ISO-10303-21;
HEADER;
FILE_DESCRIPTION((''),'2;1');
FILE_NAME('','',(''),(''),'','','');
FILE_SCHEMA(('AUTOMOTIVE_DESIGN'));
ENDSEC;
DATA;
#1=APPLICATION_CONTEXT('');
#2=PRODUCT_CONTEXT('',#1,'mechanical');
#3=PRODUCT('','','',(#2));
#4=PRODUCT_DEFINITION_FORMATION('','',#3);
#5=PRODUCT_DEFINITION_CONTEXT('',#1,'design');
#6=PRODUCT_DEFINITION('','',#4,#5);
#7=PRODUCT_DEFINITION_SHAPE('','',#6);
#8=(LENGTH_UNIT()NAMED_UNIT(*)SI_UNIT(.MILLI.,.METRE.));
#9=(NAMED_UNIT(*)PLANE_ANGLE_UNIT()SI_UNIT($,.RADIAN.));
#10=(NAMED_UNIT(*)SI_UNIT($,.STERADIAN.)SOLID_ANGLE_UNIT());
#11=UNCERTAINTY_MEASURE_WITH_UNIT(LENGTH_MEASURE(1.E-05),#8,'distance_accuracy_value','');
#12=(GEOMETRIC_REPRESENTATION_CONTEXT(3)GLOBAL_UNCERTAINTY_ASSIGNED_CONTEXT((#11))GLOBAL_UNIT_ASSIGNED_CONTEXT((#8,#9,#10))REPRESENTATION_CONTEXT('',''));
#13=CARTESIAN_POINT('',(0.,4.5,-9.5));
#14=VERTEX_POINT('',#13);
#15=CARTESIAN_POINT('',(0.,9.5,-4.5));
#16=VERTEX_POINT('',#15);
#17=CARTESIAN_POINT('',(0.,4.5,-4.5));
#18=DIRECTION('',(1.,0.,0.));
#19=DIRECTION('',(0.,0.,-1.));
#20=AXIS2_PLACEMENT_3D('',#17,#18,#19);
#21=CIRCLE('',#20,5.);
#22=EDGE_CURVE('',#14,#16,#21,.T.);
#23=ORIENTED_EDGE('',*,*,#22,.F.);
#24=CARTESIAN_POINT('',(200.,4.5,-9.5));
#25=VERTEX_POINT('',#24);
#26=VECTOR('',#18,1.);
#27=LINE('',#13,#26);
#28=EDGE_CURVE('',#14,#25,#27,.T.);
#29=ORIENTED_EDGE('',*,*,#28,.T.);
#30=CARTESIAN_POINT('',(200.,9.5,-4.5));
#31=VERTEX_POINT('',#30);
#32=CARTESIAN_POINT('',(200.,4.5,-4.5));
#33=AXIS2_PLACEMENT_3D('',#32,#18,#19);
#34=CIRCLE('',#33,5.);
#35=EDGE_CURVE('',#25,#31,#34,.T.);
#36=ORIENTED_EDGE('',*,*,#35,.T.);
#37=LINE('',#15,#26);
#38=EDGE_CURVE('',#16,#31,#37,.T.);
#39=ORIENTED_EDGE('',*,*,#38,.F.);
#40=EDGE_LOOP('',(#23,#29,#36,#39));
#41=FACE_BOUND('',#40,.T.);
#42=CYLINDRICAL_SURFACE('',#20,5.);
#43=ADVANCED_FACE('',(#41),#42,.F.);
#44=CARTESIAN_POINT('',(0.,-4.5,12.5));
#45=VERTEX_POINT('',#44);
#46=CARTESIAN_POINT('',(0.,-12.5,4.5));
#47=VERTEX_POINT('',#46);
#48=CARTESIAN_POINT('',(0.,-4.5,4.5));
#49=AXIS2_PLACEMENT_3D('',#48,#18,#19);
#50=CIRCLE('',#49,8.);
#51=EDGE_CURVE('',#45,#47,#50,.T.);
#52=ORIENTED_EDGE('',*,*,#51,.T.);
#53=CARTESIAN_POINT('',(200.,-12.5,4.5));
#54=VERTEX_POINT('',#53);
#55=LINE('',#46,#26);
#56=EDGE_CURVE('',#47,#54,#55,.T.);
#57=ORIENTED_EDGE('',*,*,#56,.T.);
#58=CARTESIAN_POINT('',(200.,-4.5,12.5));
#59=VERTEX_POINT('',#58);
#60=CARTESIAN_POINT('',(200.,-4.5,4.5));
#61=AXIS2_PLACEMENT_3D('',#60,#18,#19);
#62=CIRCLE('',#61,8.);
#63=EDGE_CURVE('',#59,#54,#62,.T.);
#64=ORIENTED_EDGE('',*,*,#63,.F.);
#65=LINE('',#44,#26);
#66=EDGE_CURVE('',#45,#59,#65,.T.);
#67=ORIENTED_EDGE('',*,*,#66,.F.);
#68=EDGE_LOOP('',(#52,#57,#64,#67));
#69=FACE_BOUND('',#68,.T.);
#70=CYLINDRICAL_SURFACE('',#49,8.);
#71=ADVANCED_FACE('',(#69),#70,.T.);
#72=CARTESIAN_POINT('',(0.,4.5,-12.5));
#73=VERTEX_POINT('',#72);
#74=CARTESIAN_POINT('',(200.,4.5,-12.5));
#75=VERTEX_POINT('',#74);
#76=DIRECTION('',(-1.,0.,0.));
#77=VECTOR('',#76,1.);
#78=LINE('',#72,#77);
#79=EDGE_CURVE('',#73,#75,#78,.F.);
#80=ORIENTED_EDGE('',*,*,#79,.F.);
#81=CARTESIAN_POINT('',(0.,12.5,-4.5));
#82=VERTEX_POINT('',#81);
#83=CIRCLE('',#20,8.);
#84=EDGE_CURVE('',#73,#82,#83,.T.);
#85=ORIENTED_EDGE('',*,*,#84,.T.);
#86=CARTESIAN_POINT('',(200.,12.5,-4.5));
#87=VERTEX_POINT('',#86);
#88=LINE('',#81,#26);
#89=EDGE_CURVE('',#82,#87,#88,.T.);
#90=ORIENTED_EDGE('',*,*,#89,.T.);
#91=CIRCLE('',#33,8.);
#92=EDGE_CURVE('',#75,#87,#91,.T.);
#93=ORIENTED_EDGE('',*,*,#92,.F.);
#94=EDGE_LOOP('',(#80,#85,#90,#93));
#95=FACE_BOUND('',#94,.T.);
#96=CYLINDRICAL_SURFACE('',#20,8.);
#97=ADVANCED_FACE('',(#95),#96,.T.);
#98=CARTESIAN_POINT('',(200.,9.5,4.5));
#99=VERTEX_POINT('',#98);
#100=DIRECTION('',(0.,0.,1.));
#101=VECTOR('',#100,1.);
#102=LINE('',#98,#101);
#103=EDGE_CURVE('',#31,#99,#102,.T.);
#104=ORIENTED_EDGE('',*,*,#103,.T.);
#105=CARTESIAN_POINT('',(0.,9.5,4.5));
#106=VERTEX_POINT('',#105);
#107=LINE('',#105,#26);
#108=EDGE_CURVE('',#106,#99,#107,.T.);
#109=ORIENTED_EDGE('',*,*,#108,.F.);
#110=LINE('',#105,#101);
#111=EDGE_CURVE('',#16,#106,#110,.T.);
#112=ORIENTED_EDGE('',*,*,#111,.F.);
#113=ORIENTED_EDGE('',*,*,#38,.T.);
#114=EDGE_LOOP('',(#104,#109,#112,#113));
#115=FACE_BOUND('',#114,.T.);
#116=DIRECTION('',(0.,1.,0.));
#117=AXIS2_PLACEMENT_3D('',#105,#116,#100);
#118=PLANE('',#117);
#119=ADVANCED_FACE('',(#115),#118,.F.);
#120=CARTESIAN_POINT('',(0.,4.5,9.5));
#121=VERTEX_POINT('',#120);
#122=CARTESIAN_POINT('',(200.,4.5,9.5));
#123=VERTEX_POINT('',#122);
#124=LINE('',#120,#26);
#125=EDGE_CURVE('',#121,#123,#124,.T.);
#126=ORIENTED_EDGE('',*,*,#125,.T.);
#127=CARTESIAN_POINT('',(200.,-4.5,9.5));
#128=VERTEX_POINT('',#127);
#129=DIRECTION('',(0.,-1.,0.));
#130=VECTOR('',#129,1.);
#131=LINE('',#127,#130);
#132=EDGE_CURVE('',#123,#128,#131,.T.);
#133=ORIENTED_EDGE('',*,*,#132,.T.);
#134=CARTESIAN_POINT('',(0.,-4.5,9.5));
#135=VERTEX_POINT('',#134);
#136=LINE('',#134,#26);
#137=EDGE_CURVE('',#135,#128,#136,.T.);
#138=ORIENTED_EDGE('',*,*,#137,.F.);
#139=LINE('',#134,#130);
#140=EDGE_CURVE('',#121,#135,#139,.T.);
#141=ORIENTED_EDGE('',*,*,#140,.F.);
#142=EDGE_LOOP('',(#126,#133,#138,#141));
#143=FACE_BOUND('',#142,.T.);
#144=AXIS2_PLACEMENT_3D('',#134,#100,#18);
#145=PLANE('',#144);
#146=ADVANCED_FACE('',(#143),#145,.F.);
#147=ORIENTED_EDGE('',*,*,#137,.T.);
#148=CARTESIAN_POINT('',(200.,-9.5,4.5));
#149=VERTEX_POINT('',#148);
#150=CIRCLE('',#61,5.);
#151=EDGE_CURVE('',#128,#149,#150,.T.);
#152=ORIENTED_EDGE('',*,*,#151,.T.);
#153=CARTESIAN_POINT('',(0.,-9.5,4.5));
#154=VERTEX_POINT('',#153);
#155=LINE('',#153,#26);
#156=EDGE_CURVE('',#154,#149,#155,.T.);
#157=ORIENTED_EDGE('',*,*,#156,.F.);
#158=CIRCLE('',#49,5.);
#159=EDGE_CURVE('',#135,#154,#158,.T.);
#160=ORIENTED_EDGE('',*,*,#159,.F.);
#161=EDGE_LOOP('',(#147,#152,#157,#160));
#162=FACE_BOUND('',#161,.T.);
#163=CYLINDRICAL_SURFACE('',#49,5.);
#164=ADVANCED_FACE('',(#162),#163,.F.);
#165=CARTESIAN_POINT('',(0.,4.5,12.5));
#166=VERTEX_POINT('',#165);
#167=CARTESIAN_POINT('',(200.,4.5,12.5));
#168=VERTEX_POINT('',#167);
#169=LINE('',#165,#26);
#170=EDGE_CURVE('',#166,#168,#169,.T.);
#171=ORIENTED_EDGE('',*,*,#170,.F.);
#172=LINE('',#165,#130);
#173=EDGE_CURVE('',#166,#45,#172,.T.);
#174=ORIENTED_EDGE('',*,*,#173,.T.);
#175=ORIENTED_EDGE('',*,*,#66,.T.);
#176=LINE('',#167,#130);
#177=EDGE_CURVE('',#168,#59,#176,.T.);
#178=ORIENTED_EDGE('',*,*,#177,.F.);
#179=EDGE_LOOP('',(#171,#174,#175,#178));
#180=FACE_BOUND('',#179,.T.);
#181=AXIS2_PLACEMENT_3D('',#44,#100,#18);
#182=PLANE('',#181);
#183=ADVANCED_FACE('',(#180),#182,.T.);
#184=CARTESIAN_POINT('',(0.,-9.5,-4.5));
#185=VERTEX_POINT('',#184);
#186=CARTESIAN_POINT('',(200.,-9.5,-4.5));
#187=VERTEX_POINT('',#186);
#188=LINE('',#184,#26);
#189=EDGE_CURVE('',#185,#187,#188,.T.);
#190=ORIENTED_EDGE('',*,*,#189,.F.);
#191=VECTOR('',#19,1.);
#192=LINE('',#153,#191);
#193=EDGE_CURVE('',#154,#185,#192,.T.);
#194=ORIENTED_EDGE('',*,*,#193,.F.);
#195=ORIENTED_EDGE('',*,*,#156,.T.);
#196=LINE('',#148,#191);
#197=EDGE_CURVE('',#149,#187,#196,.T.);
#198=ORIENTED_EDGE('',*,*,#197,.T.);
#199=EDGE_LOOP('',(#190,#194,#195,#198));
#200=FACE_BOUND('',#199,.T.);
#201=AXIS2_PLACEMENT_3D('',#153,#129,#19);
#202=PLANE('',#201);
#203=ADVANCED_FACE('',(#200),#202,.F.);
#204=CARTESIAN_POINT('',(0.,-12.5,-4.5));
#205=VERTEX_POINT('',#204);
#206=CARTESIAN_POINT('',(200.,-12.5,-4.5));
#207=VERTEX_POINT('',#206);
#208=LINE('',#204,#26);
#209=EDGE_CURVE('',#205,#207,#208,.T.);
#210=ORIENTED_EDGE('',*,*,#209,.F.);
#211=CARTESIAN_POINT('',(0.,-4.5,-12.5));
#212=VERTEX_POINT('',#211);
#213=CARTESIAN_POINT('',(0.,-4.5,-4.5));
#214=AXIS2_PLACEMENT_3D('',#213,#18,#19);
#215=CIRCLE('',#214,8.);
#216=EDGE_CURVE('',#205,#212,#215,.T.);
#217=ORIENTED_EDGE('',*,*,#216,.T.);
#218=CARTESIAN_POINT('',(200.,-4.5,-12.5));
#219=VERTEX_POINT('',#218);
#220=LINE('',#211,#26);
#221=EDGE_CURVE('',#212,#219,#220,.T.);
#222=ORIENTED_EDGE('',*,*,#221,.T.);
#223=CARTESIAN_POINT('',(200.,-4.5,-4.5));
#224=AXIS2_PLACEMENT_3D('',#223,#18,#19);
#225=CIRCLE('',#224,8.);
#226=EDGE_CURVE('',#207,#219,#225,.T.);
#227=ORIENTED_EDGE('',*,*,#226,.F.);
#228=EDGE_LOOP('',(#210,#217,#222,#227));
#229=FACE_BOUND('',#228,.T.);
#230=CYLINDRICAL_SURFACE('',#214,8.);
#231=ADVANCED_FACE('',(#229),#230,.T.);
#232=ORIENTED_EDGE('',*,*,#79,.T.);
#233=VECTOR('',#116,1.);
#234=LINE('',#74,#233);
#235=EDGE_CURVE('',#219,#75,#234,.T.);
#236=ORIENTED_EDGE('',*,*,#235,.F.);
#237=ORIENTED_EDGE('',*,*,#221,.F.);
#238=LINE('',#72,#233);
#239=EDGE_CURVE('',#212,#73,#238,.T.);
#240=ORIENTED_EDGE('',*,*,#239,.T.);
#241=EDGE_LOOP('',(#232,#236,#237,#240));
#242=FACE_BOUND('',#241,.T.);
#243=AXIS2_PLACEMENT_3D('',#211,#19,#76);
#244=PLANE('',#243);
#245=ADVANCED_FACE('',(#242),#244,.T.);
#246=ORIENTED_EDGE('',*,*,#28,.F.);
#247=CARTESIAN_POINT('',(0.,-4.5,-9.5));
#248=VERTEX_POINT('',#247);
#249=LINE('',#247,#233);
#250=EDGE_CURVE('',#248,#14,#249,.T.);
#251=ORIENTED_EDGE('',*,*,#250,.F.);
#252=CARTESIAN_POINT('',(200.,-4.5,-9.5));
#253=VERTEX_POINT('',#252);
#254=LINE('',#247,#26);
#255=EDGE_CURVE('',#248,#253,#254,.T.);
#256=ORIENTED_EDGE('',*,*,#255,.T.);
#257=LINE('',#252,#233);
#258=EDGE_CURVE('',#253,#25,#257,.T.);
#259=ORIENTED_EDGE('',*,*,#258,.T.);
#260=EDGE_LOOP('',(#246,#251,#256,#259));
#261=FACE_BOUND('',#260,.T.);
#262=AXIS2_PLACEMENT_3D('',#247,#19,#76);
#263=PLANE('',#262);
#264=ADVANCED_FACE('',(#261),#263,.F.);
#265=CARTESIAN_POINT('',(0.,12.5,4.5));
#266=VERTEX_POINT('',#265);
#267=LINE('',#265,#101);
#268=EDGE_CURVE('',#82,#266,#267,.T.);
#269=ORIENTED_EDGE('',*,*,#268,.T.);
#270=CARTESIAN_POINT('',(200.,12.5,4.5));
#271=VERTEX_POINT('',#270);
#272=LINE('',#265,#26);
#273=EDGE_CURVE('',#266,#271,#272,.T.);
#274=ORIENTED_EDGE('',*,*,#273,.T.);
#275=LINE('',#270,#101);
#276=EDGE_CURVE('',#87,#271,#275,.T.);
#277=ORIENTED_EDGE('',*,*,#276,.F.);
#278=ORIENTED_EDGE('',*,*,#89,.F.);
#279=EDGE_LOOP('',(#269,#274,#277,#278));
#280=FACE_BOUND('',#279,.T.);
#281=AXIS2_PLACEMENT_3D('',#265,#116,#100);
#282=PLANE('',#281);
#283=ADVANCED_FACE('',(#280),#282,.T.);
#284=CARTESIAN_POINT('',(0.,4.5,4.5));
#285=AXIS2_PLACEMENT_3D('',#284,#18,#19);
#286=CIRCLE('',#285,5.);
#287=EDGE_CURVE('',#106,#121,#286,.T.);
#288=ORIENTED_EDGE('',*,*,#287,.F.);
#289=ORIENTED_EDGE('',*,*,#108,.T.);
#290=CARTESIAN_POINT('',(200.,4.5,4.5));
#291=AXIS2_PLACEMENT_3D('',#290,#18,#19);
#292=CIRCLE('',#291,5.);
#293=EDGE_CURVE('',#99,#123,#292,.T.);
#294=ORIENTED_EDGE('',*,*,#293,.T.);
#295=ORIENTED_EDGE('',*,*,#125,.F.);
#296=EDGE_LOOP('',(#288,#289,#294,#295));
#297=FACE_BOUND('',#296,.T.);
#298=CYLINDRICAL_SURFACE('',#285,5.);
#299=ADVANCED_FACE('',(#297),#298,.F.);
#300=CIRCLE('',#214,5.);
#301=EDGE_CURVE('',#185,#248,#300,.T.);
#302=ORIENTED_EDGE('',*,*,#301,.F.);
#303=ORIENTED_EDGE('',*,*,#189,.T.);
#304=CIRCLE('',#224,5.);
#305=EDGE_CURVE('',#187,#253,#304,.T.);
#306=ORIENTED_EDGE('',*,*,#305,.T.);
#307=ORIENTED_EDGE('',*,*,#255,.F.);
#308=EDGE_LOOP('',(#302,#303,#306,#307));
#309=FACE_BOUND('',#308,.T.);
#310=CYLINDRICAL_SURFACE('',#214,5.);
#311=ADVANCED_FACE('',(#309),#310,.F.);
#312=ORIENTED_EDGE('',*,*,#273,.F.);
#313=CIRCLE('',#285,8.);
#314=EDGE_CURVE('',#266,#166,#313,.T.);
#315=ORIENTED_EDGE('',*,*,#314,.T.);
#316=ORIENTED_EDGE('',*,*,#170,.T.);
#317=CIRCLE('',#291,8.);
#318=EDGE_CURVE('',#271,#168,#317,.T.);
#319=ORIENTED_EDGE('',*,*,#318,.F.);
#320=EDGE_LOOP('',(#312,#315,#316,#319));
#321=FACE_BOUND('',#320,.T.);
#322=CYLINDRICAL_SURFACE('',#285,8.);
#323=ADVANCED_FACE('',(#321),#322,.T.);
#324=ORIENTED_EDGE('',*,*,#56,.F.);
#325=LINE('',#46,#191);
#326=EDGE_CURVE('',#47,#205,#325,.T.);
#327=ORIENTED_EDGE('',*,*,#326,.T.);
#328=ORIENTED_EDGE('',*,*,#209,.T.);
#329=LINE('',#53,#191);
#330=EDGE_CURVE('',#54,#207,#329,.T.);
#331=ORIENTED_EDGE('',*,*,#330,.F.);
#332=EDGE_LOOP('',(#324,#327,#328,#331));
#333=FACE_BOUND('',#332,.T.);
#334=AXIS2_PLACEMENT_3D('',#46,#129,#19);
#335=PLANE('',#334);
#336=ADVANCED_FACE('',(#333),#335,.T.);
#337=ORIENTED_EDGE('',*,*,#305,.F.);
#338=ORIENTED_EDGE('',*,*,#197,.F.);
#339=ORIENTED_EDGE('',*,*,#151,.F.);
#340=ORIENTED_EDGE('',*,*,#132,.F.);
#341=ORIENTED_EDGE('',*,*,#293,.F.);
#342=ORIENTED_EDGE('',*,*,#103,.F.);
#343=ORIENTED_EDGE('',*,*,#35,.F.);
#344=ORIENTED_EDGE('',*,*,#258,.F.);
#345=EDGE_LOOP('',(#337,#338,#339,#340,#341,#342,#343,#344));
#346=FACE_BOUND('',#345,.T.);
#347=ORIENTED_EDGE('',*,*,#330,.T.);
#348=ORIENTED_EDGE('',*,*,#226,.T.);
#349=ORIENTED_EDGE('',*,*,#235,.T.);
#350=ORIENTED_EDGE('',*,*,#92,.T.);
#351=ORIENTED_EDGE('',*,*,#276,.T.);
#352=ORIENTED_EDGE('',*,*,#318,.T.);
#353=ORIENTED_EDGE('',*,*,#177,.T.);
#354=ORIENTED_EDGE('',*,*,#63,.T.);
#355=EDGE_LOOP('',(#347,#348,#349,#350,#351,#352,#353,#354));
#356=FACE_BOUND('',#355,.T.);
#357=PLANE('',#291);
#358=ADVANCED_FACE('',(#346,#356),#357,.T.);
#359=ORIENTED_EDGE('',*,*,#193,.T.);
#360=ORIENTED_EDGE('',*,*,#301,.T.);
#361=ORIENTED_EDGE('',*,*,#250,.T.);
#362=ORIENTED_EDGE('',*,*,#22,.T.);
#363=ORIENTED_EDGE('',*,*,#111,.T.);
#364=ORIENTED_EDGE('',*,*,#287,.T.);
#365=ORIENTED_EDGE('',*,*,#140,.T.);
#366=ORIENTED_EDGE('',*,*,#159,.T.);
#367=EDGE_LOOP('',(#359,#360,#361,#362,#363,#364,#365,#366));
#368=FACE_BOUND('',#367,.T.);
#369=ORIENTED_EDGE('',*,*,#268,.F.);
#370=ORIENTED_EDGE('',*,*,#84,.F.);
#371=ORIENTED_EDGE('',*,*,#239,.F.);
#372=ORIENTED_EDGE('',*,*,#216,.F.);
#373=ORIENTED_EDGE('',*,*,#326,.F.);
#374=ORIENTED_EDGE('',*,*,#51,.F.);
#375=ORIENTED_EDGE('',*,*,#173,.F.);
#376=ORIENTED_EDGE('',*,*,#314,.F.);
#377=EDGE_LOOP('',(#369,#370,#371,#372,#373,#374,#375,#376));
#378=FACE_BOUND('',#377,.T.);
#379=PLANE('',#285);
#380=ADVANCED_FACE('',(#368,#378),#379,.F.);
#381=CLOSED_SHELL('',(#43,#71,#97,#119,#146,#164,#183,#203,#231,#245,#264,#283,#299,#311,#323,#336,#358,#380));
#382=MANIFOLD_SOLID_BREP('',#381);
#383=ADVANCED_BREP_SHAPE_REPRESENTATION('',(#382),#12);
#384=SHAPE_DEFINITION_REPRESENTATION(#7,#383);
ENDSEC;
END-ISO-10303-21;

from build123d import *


with BuildPart() as part:
    # Sweep-Thin1: sweep along a path in Sketch3
    with BuildLine(Plane(origin=(0, 0, 0), x_dir=(1, 0, 0), z_dir=(0, 1, 0))) as sweep_thin1_path:
        Line((0, 0), (200, 0))
    # Sketch2 → Sweep-Thin1 (sweep)
    with BuildSketch(Plane(origin=(0, 0, 0), x_dir=(0, 0, -1), z_dir=(1, 0, 0))):
        with BuildLine():
            Line((4.5, 12.5), (-4.5, 12.5))
            ThreePointArc((-4.5, 12.5), (-10.156854249, 10.156854249), (-12.5, 4.5))
            Line((-12.5, 4.5), (-12.5, -4.5))
            ThreePointArc((-12.5, -4.5), (-10.156854249, -10.156854249), (-4.5, -12.5))
            Line((-4.5, -12.5), (4.5, -12.5))
            ThreePointArc((4.5, -12.5), (10.156854249, -10.156854249), (12.5, -4.5))
            Line((12.5, -4.5), (12.5, 4.5))
            ThreePointArc((12.5, 4.5), (10.156854249, 10.156854249), (4.5, 12.5))
        make_face()
        with BuildLine():
            Line((4.5, 9.5), (-4.5, 9.5))
            ThreePointArc((-4.5, 9.5), (-8.035533906, 8.035533906), (-9.5, 4.5))
            Line((-9.5, 4.5), (-9.5, -4.5))
            ThreePointArc((-9.5, -4.5), (-8.035533906, -8.035533906), (-4.5, -9.5))
            Line((-4.5, -9.5), (4.5, -9.5))
            ThreePointArc((4.5, -9.5), (8.035533906, -8.035533906), (9.5, -4.5))
            Line((9.5, -4.5), (9.5, 4.5))
            ThreePointArc((9.5, 4.5), (8.035533906, 8.035533906), (4.5, 9.5))
        make_face(mode=Mode.SUBTRACT)
    sweep(path=sweep_thin1_path.line)


solid = part.part
